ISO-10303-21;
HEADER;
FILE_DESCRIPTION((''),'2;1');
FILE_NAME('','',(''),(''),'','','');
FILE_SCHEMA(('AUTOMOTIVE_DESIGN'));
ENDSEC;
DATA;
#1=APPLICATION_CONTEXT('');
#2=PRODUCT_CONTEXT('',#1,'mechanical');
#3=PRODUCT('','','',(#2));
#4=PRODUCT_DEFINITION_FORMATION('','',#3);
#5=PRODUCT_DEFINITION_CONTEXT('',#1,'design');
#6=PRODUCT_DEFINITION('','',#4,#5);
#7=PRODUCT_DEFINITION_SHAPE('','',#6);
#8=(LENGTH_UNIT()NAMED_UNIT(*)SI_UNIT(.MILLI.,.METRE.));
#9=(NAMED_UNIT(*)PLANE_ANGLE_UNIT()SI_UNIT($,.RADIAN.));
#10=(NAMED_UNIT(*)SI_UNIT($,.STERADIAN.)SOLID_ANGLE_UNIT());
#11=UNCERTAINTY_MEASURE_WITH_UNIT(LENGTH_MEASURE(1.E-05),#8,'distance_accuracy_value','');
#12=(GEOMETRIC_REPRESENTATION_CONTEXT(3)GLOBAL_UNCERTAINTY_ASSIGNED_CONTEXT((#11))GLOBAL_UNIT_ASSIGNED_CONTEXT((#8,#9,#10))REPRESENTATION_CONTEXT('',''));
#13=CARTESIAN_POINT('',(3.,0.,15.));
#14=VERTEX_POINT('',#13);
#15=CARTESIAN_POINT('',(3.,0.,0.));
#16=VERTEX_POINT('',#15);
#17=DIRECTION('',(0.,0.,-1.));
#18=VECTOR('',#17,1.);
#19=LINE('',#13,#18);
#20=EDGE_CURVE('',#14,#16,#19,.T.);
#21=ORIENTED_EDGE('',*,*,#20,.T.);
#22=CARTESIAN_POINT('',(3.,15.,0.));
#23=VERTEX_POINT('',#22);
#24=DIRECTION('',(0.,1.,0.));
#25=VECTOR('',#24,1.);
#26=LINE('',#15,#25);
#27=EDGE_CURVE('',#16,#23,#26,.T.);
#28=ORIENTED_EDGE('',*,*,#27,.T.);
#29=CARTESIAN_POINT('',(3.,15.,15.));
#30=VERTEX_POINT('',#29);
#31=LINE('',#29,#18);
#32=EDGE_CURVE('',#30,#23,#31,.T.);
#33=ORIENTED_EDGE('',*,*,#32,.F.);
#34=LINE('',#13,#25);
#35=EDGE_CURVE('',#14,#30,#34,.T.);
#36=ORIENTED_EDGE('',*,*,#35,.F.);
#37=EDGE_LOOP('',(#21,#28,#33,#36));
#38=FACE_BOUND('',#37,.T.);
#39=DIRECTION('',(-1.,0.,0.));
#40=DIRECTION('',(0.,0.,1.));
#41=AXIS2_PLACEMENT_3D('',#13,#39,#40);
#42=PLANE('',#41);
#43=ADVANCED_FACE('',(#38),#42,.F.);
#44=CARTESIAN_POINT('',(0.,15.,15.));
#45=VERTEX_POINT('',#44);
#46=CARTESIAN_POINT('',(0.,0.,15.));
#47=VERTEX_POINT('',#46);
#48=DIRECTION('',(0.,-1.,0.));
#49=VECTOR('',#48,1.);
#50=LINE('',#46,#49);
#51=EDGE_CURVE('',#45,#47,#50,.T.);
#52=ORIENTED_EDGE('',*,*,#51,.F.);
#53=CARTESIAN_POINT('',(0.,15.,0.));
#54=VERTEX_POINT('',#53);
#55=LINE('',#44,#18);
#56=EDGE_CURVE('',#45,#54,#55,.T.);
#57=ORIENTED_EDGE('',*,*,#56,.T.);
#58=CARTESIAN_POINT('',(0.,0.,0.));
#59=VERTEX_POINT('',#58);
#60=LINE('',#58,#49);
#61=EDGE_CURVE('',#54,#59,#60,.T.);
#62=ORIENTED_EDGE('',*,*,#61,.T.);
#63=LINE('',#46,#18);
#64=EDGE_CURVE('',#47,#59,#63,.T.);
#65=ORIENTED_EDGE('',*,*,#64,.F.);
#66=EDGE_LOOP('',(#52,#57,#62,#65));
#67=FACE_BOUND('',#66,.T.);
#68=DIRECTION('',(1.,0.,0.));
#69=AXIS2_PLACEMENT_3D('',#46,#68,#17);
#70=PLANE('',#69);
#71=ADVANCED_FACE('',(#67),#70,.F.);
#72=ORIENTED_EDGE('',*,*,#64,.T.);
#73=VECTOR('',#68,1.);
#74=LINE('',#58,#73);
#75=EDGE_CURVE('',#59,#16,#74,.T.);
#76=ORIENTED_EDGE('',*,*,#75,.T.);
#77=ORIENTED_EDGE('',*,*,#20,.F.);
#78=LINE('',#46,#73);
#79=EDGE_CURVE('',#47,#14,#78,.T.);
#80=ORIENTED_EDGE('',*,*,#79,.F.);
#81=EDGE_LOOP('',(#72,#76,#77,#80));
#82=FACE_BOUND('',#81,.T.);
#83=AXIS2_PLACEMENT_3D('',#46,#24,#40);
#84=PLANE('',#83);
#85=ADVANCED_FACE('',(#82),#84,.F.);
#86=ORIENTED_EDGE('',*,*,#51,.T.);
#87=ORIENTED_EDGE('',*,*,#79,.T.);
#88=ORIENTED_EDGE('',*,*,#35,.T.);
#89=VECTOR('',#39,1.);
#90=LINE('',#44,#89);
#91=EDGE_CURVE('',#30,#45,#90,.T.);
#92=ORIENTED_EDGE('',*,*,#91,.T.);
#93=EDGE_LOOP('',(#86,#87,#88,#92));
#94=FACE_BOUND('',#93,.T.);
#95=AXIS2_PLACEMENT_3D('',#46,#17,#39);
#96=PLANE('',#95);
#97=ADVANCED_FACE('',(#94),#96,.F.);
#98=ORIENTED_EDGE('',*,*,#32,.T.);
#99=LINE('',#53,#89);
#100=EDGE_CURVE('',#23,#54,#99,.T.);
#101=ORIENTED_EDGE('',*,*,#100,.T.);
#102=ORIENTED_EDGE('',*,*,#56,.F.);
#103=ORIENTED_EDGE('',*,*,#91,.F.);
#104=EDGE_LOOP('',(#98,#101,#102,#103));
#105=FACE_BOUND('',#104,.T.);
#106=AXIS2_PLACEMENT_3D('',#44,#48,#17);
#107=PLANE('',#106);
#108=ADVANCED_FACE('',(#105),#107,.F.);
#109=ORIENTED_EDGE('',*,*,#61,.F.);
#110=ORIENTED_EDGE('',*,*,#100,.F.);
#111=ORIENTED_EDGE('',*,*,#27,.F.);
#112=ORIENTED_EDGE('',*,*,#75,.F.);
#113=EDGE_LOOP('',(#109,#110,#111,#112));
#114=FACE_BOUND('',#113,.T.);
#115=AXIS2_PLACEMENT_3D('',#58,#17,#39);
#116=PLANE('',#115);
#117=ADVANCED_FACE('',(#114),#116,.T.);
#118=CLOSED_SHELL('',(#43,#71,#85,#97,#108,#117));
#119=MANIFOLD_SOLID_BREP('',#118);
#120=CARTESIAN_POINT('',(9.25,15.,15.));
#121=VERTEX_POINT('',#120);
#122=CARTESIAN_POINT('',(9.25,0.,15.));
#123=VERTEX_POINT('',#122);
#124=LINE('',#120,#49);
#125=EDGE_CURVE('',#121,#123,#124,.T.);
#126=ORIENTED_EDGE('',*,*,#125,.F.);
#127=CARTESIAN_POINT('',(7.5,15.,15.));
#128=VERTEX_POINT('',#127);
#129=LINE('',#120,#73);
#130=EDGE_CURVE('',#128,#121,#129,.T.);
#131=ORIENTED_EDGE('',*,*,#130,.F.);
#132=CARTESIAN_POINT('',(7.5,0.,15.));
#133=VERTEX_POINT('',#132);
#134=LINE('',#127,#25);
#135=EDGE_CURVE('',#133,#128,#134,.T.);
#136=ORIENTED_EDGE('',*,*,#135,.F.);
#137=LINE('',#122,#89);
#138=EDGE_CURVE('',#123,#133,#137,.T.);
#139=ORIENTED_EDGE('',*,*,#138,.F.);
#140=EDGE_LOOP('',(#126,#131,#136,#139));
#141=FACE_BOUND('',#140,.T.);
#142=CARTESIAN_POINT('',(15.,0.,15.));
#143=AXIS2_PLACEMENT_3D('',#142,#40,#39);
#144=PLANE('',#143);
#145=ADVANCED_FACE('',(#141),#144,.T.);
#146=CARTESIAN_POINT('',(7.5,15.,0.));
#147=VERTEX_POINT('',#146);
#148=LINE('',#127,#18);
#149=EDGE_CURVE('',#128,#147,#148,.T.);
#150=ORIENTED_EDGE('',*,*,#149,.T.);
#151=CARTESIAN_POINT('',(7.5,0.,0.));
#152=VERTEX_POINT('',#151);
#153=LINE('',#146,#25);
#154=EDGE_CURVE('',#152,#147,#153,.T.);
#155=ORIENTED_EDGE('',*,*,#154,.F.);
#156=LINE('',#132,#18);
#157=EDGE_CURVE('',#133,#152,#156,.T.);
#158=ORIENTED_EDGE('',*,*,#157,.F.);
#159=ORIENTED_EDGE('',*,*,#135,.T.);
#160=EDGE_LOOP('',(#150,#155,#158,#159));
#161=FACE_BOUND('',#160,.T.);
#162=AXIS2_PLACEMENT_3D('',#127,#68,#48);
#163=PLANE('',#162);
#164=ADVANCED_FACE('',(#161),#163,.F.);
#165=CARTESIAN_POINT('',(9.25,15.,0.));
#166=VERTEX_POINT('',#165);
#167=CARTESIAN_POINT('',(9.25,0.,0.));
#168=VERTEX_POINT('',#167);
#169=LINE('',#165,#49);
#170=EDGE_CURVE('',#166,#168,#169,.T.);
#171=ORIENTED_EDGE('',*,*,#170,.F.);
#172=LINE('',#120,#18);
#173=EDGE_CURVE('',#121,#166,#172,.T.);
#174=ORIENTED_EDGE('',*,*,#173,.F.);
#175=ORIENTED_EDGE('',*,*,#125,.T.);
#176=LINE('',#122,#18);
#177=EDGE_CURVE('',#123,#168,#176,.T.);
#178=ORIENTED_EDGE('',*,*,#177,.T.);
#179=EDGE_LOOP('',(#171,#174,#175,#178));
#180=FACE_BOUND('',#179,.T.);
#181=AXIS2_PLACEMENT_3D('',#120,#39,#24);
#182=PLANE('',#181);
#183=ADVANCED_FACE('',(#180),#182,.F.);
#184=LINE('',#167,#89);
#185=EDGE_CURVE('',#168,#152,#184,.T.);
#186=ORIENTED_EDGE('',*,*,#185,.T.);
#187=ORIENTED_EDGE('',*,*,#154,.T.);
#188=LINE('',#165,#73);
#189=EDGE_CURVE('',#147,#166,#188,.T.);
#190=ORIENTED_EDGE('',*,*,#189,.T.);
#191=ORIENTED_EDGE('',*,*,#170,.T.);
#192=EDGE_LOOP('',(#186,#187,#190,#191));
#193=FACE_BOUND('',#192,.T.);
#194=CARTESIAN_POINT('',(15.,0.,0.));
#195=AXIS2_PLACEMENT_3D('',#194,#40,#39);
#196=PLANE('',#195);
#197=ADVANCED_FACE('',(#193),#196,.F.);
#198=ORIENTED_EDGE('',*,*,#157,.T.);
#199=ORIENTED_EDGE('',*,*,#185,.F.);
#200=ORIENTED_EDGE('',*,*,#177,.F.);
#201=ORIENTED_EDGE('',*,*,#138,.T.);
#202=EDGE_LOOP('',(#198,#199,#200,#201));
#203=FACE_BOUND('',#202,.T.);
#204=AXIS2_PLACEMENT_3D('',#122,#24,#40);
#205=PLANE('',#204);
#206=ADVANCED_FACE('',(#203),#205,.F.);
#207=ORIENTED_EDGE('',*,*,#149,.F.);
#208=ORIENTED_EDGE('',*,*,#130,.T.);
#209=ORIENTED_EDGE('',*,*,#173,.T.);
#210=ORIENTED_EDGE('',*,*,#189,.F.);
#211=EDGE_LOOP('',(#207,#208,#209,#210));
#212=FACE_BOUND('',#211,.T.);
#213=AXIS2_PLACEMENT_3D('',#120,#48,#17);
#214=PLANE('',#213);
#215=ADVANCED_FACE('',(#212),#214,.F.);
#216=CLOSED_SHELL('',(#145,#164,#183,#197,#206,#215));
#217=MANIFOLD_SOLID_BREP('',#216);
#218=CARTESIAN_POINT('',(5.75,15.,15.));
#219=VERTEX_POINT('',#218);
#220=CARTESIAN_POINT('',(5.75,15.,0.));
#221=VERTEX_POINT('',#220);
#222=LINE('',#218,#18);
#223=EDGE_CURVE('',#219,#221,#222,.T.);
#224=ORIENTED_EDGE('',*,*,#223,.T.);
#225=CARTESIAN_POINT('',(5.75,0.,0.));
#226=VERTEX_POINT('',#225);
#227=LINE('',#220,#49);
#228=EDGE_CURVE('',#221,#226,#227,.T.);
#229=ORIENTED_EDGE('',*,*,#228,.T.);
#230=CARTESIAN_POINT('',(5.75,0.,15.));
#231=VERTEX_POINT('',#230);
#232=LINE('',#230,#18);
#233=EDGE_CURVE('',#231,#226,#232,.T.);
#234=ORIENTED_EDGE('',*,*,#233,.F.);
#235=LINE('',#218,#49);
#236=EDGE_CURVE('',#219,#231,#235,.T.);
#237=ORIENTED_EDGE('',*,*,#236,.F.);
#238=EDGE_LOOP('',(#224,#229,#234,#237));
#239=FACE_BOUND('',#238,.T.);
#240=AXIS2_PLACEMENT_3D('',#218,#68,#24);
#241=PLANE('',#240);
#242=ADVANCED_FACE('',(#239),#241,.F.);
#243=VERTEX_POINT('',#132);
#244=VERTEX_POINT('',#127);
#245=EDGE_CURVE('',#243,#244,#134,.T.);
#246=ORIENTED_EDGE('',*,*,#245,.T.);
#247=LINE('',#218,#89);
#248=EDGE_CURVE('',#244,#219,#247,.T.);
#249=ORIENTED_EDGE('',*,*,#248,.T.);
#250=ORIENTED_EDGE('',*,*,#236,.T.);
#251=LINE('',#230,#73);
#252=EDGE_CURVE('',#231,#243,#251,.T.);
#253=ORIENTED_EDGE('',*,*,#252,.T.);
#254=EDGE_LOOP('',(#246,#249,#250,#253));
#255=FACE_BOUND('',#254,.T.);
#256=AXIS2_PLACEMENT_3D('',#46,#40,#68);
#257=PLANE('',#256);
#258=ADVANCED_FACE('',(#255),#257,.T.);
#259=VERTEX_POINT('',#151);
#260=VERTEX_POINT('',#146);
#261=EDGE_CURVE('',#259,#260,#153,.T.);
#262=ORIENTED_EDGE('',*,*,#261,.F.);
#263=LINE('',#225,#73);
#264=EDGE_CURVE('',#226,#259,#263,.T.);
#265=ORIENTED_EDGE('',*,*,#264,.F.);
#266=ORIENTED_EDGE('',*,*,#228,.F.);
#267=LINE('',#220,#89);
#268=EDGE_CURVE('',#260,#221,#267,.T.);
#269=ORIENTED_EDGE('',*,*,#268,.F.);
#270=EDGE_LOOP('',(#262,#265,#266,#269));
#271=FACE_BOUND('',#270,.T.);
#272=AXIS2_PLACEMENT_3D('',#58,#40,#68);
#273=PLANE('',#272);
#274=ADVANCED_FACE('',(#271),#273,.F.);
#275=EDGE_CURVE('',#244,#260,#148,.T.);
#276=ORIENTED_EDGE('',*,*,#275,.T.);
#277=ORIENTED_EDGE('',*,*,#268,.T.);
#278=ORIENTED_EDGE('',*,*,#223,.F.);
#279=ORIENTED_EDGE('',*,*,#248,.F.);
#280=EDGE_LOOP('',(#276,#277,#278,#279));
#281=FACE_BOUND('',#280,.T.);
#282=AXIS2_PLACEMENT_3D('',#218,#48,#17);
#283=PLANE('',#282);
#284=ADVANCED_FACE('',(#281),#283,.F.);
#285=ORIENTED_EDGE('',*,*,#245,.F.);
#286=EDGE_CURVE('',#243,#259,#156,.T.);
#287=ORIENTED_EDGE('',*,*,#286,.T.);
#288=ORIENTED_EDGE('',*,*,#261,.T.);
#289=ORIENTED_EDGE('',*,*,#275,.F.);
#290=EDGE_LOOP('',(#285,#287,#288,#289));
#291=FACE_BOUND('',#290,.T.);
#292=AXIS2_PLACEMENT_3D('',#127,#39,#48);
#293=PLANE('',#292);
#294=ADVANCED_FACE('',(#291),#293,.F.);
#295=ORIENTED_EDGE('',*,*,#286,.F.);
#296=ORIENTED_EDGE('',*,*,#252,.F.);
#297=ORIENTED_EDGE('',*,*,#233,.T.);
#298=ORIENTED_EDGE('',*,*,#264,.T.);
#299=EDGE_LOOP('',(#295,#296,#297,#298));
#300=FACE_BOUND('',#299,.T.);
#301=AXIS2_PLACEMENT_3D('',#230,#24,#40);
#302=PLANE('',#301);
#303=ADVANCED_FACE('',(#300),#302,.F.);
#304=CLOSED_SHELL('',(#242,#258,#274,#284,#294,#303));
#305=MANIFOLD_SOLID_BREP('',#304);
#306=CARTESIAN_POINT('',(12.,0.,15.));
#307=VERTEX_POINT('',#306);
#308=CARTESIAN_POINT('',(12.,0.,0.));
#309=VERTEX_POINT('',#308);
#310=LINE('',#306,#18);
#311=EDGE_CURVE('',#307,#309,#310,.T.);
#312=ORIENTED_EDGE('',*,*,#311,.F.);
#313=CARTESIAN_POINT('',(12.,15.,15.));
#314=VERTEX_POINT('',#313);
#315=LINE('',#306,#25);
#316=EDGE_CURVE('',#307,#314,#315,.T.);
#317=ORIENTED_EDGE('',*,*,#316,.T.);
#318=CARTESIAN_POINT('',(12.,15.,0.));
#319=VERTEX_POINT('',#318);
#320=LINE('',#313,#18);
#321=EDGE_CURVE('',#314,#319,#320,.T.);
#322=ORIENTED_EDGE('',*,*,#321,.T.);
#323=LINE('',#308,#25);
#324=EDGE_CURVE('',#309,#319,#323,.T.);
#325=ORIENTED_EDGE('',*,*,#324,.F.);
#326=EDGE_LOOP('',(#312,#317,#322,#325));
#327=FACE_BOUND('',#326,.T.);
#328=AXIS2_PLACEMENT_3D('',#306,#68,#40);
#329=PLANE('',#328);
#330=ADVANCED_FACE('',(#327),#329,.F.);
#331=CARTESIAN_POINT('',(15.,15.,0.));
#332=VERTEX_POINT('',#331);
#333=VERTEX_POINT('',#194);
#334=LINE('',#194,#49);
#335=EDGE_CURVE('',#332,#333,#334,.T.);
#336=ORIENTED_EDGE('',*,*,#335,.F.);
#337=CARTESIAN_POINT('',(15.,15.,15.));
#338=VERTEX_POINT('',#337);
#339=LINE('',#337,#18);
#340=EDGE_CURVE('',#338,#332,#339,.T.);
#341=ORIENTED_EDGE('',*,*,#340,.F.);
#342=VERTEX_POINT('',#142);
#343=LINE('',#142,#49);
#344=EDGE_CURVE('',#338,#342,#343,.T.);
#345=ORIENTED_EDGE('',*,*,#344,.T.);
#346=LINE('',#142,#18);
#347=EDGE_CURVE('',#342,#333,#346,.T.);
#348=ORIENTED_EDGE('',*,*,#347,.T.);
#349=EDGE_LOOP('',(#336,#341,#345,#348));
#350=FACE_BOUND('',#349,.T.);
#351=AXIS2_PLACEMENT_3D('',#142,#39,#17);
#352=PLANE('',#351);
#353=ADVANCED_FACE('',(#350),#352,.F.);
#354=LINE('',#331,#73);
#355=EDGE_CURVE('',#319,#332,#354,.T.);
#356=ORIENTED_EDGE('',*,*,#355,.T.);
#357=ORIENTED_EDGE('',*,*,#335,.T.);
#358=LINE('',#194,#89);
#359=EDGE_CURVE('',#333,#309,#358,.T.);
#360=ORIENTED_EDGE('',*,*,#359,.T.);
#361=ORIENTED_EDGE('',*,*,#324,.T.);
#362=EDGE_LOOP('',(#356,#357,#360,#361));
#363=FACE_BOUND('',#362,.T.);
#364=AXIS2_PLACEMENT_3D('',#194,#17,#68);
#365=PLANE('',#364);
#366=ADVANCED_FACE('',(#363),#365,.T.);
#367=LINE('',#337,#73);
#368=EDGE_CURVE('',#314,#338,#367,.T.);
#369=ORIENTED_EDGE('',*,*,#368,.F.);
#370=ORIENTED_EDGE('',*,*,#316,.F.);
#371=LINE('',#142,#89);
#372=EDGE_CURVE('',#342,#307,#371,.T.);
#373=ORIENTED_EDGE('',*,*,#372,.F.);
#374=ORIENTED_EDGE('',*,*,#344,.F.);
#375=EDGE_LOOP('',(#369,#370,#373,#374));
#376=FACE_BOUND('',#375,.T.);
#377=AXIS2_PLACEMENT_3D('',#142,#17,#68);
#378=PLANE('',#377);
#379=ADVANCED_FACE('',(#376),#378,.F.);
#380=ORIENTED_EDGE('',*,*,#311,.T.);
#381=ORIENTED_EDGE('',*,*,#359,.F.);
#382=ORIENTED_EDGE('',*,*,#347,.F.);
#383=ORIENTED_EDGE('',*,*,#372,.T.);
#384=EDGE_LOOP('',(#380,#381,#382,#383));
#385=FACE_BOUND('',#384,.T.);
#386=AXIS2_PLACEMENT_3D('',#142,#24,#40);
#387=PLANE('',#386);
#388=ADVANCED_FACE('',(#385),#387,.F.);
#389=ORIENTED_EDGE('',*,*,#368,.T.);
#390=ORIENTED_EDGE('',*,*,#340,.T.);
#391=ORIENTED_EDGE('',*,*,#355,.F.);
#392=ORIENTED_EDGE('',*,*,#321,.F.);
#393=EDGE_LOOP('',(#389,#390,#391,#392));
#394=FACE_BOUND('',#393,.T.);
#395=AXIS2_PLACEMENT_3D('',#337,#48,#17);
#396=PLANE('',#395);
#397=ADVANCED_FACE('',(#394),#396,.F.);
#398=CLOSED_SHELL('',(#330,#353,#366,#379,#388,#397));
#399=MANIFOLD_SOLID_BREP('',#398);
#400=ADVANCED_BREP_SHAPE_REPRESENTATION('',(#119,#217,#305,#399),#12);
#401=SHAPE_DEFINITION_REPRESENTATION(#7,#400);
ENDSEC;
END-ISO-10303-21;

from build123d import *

# Parameters (mm, degrees)
SKETCH1_W             = 3
SKETCH1_H             = 15
BOSS_EXTRUDE1_DEPTH   = 15
SKETCH1_W_2           = 1.75
BOSS_EXTRUDE1_2_DEPTH = 15


with BuildPart() as part:
    # Sketch1 → Boss-Extrude1 (new body)
    with BuildSketch(Plane.XY):
        with Locations((1.5, 7.5)):
            Rectangle(SKETCH1_W, SKETCH1_H)
    extrude(amount=BOSS_EXTRUDE1_DEPTH)


with BuildPart() as body_2:
    # Sketch1 → Boss-Extrude1 2 (new body)
    with BuildSketch(Plane.XY):
        with Locations((6.625, 7.5)):
            Rectangle(SKETCH1_W_2, SKETCH1_H)
    extrude(amount=BOSS_EXTRUDE1_2_DEPTH)


with BuildPart() as body_3:
    # Mirror1: mirrored copy
    add(body_2.part.mirror(Plane(origin=(7.5, 15, 15), x_dir=(0, 0, 1), z_dir=(-1, 0, 0))))


with BuildPart() as body_4:
    # Mirror1 2: mirrored copy
    add(part.part.mirror(Plane(origin=(7.5, 15, 15), x_dir=(0, 0, 1), z_dir=(-1, 0, 0))))


solid = Compound([part.part, body_2.part, body_3.part, body_4.part])
